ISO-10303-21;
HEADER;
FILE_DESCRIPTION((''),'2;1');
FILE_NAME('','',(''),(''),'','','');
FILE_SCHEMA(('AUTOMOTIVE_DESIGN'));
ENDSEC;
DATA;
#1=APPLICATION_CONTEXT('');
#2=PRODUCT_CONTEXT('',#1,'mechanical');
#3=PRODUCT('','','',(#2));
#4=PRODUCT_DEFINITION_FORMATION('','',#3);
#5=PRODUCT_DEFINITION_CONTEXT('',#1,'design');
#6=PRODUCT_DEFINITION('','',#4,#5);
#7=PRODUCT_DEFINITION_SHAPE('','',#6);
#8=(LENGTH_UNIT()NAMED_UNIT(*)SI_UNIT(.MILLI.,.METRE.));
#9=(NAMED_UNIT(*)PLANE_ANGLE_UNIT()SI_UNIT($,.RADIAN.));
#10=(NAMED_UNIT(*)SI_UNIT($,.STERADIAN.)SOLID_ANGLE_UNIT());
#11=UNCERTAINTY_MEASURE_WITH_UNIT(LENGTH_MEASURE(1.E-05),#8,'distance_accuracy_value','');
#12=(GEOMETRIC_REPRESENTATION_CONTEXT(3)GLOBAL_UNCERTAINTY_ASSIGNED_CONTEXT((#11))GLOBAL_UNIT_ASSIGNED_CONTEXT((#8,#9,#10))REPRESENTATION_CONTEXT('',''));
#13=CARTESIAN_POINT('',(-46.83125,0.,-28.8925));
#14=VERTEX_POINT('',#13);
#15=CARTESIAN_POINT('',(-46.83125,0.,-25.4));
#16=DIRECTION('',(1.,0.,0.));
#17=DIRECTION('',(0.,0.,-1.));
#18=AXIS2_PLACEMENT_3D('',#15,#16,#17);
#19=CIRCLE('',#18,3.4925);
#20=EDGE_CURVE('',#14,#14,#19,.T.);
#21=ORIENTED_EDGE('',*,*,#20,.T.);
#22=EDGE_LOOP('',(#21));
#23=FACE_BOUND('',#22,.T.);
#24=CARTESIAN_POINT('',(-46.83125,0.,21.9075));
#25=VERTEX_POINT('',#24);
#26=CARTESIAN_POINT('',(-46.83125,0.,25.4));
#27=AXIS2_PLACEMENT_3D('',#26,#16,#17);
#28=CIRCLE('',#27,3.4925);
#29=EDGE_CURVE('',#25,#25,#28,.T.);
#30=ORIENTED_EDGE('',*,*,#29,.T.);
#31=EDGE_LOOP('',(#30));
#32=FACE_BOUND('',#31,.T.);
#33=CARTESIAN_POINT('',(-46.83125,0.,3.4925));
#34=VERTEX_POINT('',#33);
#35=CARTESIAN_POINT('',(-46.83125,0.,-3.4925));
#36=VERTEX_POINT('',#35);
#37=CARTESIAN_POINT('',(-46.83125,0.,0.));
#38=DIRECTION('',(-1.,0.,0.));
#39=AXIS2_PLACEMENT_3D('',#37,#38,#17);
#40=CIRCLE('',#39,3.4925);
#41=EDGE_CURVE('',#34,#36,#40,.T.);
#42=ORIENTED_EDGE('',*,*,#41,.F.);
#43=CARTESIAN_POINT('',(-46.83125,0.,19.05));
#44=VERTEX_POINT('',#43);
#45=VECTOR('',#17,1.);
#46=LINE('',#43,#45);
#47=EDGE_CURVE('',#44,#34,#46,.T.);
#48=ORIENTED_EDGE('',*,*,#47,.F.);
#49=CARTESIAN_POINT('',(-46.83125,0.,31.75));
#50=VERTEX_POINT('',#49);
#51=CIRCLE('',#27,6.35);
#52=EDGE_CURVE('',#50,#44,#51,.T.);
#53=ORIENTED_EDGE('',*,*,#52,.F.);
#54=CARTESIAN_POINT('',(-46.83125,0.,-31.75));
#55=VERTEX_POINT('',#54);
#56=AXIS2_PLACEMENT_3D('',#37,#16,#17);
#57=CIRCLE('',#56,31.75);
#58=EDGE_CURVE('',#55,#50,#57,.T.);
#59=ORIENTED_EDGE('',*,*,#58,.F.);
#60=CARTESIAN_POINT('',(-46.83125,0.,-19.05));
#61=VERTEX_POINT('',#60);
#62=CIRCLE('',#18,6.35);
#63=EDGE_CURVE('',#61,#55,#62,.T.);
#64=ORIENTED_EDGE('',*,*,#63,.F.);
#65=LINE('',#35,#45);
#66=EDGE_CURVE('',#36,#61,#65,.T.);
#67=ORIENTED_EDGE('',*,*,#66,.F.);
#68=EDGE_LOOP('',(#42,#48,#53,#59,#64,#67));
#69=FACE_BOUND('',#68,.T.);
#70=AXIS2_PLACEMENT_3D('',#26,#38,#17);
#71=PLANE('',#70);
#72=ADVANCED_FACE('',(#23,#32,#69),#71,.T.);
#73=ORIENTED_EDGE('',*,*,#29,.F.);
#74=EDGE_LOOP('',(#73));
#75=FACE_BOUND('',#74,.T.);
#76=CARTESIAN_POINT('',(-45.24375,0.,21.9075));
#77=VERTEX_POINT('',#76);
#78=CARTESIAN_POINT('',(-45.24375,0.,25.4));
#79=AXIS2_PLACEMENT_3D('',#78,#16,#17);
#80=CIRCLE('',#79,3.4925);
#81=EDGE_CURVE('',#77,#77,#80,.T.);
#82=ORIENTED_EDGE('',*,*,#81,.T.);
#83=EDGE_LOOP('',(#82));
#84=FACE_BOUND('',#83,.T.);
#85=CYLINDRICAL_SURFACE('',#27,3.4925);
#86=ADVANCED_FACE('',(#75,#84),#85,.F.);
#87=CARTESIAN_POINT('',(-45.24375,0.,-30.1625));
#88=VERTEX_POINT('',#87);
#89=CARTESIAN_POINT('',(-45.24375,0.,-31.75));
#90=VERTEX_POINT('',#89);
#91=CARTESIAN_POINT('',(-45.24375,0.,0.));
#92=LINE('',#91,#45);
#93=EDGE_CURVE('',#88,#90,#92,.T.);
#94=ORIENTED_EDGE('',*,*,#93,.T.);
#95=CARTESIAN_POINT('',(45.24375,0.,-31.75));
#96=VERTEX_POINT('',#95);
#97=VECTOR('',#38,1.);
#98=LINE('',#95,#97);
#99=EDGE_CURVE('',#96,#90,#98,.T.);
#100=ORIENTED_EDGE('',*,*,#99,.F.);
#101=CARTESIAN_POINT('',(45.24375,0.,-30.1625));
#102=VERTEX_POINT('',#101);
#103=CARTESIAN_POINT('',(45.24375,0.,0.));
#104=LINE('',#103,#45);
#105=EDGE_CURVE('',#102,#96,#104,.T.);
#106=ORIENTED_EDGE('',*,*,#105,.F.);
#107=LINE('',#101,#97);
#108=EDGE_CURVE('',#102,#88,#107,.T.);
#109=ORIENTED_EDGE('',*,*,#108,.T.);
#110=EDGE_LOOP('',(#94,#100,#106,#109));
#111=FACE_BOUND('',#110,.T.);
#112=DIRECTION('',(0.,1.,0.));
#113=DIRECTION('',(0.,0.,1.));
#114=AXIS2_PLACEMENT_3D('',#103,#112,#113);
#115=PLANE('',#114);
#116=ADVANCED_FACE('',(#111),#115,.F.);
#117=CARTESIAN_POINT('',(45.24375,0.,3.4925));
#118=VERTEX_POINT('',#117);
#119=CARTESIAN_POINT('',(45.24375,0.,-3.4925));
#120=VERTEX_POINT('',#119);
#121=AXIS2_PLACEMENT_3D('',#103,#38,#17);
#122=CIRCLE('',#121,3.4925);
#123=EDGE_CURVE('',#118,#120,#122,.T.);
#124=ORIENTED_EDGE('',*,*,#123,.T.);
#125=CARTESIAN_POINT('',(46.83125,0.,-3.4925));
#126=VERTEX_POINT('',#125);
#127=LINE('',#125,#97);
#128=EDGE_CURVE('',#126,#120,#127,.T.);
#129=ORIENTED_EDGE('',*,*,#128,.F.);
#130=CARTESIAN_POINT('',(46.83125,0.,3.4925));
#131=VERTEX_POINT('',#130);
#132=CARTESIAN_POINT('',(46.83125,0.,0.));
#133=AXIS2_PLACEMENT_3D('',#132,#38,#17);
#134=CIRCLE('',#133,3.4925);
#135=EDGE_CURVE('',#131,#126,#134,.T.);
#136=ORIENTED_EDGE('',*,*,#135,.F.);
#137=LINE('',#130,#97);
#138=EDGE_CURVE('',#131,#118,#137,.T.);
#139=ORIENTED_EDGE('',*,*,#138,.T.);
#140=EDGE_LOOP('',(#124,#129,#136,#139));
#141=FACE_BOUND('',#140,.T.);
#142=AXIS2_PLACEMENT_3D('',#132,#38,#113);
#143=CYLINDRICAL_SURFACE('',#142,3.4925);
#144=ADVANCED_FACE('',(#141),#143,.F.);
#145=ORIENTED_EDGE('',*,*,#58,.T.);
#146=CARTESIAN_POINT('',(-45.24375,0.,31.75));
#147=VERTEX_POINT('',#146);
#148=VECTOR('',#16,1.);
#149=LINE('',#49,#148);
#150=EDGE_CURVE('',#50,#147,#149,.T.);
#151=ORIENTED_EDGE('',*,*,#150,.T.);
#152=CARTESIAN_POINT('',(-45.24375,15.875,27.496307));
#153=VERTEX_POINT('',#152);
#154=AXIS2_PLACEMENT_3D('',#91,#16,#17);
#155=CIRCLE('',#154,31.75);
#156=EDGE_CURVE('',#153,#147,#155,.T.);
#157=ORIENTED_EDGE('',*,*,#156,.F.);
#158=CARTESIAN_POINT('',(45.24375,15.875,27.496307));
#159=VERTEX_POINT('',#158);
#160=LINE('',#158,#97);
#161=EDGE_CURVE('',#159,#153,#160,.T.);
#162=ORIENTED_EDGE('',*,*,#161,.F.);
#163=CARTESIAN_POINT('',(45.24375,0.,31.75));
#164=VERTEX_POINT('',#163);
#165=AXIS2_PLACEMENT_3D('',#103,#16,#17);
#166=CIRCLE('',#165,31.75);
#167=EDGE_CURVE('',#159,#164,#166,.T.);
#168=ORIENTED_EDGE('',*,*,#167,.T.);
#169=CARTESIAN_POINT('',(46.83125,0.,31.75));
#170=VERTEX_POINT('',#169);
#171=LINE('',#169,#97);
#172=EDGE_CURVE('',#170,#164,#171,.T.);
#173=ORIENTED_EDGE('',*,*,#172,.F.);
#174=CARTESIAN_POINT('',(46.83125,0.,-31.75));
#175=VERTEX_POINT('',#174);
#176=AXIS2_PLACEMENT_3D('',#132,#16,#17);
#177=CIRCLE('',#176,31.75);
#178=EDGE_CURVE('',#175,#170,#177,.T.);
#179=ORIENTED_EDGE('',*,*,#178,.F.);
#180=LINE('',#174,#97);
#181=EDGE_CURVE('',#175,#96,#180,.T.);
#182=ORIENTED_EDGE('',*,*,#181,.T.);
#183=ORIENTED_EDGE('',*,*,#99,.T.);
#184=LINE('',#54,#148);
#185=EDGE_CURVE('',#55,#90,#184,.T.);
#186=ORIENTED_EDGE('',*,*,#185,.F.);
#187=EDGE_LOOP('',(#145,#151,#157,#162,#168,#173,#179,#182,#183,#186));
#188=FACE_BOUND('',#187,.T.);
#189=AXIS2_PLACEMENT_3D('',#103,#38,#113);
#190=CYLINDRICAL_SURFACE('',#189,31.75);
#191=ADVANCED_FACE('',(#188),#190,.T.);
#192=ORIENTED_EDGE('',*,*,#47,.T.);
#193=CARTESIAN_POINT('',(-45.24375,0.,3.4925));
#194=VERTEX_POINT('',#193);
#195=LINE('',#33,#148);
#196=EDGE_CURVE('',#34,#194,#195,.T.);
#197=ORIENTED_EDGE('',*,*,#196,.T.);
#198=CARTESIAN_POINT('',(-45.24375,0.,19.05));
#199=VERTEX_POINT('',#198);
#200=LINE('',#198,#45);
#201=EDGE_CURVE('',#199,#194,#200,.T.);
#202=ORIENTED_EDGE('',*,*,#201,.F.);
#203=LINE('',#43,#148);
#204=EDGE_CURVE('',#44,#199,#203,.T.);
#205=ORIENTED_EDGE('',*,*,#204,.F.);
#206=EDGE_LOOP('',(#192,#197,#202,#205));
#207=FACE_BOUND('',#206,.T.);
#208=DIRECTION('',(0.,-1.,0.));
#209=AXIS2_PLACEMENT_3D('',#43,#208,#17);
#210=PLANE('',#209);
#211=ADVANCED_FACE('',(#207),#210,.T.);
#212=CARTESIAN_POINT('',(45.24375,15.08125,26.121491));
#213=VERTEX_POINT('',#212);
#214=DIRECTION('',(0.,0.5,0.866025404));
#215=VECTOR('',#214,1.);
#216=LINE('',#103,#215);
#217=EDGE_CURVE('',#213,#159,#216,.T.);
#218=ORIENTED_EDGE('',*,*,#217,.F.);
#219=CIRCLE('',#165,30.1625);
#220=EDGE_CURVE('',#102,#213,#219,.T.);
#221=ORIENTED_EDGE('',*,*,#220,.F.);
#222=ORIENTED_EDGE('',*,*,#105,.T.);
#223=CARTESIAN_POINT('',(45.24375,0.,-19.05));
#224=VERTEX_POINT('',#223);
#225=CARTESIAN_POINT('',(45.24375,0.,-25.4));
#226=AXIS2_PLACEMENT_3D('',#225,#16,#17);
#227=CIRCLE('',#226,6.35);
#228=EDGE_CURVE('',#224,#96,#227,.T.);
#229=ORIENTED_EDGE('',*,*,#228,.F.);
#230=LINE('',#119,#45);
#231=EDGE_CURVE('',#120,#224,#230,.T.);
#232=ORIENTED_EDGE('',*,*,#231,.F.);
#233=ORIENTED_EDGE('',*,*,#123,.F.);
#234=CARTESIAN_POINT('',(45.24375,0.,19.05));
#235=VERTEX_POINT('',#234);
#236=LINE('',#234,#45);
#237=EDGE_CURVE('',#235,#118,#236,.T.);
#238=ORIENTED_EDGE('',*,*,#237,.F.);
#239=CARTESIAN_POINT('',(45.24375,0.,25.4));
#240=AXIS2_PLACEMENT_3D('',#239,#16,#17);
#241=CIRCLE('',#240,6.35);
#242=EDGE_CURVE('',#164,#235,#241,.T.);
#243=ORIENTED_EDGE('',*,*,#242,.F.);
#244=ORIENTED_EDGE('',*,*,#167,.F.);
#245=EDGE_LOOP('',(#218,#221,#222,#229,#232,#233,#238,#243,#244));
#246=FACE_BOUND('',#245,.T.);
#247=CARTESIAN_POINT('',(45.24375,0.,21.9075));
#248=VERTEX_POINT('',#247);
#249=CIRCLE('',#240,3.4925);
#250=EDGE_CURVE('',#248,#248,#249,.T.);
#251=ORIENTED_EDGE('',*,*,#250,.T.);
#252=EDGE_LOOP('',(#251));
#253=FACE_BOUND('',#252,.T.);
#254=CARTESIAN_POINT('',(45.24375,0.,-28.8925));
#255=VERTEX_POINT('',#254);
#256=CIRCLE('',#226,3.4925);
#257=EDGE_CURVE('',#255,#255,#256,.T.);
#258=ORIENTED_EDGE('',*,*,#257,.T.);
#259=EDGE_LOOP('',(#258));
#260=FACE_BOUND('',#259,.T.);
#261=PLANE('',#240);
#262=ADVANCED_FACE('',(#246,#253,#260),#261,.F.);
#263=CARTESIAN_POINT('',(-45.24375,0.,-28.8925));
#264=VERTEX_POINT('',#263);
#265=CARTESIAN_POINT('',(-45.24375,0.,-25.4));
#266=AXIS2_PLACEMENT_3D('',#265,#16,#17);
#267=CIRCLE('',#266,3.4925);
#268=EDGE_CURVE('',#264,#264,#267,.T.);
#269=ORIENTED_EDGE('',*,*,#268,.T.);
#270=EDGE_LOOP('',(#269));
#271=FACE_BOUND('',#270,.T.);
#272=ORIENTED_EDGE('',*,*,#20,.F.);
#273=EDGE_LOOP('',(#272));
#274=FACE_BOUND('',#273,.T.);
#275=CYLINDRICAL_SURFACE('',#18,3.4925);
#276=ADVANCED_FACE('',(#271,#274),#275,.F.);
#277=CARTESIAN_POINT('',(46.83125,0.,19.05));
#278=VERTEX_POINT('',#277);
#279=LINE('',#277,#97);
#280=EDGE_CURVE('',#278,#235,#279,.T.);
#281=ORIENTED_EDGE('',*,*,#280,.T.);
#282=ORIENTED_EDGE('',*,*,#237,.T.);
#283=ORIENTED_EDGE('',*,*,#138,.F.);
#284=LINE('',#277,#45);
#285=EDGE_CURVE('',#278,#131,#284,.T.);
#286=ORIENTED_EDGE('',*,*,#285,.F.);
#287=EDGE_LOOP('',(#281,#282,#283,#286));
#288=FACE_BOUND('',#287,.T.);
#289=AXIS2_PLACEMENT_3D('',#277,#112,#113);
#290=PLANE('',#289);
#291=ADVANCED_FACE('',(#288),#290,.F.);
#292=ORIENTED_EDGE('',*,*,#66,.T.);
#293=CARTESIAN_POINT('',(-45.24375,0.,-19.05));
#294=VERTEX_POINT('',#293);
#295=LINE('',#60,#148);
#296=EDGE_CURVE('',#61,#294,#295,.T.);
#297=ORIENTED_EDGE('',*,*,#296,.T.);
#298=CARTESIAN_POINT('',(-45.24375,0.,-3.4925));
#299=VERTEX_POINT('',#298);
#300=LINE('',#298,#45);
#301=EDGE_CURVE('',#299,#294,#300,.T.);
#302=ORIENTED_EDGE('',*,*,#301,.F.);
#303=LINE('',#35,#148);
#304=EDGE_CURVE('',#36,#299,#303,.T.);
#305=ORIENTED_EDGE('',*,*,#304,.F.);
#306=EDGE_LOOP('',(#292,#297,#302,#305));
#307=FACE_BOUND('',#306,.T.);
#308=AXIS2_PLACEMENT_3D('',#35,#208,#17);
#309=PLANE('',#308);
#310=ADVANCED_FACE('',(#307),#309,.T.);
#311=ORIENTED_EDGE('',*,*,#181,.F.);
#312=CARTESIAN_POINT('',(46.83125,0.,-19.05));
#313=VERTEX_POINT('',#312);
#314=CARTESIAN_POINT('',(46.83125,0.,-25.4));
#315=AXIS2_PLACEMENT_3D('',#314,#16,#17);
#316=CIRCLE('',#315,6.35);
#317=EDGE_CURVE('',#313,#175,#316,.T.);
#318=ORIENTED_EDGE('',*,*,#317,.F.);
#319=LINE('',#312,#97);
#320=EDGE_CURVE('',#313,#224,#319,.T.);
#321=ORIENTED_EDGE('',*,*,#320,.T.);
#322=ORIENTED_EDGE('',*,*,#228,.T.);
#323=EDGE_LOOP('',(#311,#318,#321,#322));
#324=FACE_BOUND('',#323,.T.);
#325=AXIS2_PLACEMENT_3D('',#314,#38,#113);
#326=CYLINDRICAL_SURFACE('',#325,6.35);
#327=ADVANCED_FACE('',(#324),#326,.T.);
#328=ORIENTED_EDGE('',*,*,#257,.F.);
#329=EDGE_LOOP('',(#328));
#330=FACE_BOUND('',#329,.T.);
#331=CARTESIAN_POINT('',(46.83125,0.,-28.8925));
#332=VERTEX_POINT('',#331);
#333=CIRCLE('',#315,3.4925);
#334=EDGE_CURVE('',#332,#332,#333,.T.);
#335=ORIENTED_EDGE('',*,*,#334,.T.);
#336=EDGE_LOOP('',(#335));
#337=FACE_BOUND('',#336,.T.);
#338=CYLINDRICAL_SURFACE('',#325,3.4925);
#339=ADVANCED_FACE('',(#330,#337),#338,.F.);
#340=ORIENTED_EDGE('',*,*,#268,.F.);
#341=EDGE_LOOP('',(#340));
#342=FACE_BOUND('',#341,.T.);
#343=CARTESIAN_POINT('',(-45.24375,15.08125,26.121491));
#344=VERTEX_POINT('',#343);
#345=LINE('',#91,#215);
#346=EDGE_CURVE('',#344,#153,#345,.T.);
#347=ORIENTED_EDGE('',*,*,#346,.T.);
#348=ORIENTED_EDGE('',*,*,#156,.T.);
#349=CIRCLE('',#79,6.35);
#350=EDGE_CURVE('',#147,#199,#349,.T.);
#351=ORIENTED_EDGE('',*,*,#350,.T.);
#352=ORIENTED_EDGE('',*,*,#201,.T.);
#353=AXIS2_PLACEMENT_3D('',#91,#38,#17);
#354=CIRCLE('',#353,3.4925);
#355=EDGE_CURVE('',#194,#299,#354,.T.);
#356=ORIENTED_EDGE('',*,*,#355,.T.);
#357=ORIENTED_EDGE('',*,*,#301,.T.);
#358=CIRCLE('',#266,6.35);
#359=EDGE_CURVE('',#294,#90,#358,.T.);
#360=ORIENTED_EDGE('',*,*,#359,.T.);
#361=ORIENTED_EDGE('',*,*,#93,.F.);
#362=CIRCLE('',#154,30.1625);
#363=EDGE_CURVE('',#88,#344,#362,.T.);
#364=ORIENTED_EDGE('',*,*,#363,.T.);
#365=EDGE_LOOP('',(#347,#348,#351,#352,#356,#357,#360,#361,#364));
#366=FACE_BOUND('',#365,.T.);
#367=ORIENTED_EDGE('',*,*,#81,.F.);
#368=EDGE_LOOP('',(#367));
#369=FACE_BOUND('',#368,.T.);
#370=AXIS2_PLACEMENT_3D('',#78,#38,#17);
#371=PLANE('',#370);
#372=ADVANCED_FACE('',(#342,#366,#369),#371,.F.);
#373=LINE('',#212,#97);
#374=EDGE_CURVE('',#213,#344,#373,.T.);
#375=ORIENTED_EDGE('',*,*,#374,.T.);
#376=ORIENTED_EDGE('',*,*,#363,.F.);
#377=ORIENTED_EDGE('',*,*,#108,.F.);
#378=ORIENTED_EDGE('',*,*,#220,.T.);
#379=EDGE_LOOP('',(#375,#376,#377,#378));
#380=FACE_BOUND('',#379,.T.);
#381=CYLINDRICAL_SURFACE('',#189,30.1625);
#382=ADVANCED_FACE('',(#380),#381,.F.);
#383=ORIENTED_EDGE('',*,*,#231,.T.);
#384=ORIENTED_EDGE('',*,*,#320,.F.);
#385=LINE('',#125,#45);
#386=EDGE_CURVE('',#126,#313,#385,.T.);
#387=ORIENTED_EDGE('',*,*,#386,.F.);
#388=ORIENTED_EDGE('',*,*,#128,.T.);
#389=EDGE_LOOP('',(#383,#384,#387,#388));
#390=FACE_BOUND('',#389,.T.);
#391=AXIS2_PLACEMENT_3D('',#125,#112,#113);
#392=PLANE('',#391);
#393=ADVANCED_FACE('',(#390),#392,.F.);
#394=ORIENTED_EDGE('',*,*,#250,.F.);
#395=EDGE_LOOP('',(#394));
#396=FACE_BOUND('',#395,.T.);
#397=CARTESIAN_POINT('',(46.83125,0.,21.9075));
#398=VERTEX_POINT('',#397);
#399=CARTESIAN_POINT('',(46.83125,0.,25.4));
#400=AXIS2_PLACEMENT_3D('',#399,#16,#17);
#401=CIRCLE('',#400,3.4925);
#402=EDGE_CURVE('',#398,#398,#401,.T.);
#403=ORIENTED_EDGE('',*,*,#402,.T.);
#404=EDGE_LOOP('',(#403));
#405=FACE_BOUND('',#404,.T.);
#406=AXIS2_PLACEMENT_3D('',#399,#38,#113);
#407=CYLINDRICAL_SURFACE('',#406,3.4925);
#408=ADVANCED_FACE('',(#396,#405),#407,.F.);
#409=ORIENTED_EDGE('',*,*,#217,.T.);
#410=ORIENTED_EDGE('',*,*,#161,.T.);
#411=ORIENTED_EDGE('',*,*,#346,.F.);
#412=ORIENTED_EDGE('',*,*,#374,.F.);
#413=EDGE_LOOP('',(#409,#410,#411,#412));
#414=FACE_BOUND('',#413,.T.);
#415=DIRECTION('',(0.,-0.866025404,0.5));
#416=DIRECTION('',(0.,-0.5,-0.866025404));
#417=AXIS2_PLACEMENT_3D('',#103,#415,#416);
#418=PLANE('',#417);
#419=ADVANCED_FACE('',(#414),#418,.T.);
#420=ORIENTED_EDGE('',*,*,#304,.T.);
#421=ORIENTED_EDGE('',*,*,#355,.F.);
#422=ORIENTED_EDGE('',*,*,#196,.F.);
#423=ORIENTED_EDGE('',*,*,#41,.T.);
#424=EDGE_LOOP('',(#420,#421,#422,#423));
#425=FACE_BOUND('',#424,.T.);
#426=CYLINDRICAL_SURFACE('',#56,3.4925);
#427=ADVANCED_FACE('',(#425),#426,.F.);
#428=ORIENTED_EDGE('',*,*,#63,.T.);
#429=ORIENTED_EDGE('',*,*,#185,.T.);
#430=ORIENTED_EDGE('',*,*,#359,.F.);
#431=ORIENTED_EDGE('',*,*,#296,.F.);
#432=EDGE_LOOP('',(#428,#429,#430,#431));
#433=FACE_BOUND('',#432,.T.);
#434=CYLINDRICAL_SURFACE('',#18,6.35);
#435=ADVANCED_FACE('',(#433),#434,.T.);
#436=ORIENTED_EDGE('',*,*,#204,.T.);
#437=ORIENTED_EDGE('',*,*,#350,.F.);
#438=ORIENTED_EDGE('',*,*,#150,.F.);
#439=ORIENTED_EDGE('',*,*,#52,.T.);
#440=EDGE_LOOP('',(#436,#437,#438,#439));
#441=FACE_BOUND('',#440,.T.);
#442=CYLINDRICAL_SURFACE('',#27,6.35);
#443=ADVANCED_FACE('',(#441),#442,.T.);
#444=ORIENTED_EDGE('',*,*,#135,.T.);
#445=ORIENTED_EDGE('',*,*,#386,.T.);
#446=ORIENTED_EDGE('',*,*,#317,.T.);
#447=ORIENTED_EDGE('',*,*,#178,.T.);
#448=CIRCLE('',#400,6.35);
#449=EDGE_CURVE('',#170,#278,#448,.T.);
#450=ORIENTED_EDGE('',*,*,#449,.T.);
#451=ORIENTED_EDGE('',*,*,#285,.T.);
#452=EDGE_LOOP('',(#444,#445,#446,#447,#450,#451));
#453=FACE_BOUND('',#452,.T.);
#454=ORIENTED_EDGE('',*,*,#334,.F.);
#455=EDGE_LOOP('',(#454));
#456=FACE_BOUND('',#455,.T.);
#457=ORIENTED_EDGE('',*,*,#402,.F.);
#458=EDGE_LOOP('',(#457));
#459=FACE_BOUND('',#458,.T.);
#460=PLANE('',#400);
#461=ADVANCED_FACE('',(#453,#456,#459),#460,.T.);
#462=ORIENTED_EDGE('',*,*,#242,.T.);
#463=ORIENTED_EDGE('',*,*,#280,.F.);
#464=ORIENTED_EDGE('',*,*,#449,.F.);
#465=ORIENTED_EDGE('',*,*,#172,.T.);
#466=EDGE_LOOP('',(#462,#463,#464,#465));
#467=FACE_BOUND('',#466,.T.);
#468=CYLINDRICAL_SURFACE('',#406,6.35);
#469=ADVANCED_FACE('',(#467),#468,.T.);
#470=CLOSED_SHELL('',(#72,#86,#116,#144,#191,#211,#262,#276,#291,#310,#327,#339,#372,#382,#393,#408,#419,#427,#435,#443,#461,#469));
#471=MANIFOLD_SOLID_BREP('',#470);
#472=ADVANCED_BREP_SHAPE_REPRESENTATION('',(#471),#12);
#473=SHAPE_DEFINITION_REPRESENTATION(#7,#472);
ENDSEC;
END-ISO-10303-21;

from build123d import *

# Parameters (mm, degrees)
BOSS_EXTRUDE1_DEPTH = 45.24375
SKETCH2_R           = 3.4925
BOSS_EXTRUDE2_DEPTH = 1.5875


with BuildPart() as part:
    # Sketch1 → Boss-Extrude1 (new body, symmetric)
    with BuildSketch(Plane(origin=(0, 0, 0), x_dir=(0, 0, -1), z_dir=(1, 0, 0))):
        with BuildLine():
            ThreePointArc((-26.121491242, 15.08125), (7.806629448, 29.134737735), (30.1625, 0))
            Line((30.1625, 0), (31.75, 0))
            ThreePointArc((31.75, 0), (8.217504682, 30.668144985), (-27.49630657, 15.875))
            Line((-27.49630657, 15.875), (-26.121491242, 15.08125))
        make_face()
    extrude(amount=BOSS_EXTRUDE1_DEPTH, both=True)

    # Sketch2 → Boss-Extrude2 (add)
    with BuildSketch(Plane(origin=(45.24375, 0, 0), x_dir=(0, 0, -1), z_dir=(1, 0, 0))):
        with BuildLine():
            Line((-19.05, 0), (-3.4925, 0))
            ThreePointArc((-3.4925, 0), (0, 3.4925), (3.4925, 0))
            Line((3.4925, 0), (19.05, 0))
            ThreePointArc((19.05, 0), (25.4, -6.35), (31.75, 0))
            ThreePointArc((31.75, 0), (0, 31.75), (-31.75, 0))
            ThreePointArc((-31.75, 0), (-25.4, -6.35), (-19.05, 0))
        make_face()
        with Locations((-25.4, 0)):
            Circle(SKETCH2_R, mode=Mode.SUBTRACT)
        with Locations((25.4, 0)):
            Circle(SKETCH2_R, mode=Mode.SUBTRACT)
    boss_extrude2 = extrude(amount=BOSS_EXTRUDE2_DEPTH)

    # Mirror1: Boss-Extrude2 across plane
    add(boss_extrude2.mirror(Plane(origin=(0, 0, 0), x_dir=(0, 0, 1), z_dir=(1, 0, 0))))


solid = part.part
